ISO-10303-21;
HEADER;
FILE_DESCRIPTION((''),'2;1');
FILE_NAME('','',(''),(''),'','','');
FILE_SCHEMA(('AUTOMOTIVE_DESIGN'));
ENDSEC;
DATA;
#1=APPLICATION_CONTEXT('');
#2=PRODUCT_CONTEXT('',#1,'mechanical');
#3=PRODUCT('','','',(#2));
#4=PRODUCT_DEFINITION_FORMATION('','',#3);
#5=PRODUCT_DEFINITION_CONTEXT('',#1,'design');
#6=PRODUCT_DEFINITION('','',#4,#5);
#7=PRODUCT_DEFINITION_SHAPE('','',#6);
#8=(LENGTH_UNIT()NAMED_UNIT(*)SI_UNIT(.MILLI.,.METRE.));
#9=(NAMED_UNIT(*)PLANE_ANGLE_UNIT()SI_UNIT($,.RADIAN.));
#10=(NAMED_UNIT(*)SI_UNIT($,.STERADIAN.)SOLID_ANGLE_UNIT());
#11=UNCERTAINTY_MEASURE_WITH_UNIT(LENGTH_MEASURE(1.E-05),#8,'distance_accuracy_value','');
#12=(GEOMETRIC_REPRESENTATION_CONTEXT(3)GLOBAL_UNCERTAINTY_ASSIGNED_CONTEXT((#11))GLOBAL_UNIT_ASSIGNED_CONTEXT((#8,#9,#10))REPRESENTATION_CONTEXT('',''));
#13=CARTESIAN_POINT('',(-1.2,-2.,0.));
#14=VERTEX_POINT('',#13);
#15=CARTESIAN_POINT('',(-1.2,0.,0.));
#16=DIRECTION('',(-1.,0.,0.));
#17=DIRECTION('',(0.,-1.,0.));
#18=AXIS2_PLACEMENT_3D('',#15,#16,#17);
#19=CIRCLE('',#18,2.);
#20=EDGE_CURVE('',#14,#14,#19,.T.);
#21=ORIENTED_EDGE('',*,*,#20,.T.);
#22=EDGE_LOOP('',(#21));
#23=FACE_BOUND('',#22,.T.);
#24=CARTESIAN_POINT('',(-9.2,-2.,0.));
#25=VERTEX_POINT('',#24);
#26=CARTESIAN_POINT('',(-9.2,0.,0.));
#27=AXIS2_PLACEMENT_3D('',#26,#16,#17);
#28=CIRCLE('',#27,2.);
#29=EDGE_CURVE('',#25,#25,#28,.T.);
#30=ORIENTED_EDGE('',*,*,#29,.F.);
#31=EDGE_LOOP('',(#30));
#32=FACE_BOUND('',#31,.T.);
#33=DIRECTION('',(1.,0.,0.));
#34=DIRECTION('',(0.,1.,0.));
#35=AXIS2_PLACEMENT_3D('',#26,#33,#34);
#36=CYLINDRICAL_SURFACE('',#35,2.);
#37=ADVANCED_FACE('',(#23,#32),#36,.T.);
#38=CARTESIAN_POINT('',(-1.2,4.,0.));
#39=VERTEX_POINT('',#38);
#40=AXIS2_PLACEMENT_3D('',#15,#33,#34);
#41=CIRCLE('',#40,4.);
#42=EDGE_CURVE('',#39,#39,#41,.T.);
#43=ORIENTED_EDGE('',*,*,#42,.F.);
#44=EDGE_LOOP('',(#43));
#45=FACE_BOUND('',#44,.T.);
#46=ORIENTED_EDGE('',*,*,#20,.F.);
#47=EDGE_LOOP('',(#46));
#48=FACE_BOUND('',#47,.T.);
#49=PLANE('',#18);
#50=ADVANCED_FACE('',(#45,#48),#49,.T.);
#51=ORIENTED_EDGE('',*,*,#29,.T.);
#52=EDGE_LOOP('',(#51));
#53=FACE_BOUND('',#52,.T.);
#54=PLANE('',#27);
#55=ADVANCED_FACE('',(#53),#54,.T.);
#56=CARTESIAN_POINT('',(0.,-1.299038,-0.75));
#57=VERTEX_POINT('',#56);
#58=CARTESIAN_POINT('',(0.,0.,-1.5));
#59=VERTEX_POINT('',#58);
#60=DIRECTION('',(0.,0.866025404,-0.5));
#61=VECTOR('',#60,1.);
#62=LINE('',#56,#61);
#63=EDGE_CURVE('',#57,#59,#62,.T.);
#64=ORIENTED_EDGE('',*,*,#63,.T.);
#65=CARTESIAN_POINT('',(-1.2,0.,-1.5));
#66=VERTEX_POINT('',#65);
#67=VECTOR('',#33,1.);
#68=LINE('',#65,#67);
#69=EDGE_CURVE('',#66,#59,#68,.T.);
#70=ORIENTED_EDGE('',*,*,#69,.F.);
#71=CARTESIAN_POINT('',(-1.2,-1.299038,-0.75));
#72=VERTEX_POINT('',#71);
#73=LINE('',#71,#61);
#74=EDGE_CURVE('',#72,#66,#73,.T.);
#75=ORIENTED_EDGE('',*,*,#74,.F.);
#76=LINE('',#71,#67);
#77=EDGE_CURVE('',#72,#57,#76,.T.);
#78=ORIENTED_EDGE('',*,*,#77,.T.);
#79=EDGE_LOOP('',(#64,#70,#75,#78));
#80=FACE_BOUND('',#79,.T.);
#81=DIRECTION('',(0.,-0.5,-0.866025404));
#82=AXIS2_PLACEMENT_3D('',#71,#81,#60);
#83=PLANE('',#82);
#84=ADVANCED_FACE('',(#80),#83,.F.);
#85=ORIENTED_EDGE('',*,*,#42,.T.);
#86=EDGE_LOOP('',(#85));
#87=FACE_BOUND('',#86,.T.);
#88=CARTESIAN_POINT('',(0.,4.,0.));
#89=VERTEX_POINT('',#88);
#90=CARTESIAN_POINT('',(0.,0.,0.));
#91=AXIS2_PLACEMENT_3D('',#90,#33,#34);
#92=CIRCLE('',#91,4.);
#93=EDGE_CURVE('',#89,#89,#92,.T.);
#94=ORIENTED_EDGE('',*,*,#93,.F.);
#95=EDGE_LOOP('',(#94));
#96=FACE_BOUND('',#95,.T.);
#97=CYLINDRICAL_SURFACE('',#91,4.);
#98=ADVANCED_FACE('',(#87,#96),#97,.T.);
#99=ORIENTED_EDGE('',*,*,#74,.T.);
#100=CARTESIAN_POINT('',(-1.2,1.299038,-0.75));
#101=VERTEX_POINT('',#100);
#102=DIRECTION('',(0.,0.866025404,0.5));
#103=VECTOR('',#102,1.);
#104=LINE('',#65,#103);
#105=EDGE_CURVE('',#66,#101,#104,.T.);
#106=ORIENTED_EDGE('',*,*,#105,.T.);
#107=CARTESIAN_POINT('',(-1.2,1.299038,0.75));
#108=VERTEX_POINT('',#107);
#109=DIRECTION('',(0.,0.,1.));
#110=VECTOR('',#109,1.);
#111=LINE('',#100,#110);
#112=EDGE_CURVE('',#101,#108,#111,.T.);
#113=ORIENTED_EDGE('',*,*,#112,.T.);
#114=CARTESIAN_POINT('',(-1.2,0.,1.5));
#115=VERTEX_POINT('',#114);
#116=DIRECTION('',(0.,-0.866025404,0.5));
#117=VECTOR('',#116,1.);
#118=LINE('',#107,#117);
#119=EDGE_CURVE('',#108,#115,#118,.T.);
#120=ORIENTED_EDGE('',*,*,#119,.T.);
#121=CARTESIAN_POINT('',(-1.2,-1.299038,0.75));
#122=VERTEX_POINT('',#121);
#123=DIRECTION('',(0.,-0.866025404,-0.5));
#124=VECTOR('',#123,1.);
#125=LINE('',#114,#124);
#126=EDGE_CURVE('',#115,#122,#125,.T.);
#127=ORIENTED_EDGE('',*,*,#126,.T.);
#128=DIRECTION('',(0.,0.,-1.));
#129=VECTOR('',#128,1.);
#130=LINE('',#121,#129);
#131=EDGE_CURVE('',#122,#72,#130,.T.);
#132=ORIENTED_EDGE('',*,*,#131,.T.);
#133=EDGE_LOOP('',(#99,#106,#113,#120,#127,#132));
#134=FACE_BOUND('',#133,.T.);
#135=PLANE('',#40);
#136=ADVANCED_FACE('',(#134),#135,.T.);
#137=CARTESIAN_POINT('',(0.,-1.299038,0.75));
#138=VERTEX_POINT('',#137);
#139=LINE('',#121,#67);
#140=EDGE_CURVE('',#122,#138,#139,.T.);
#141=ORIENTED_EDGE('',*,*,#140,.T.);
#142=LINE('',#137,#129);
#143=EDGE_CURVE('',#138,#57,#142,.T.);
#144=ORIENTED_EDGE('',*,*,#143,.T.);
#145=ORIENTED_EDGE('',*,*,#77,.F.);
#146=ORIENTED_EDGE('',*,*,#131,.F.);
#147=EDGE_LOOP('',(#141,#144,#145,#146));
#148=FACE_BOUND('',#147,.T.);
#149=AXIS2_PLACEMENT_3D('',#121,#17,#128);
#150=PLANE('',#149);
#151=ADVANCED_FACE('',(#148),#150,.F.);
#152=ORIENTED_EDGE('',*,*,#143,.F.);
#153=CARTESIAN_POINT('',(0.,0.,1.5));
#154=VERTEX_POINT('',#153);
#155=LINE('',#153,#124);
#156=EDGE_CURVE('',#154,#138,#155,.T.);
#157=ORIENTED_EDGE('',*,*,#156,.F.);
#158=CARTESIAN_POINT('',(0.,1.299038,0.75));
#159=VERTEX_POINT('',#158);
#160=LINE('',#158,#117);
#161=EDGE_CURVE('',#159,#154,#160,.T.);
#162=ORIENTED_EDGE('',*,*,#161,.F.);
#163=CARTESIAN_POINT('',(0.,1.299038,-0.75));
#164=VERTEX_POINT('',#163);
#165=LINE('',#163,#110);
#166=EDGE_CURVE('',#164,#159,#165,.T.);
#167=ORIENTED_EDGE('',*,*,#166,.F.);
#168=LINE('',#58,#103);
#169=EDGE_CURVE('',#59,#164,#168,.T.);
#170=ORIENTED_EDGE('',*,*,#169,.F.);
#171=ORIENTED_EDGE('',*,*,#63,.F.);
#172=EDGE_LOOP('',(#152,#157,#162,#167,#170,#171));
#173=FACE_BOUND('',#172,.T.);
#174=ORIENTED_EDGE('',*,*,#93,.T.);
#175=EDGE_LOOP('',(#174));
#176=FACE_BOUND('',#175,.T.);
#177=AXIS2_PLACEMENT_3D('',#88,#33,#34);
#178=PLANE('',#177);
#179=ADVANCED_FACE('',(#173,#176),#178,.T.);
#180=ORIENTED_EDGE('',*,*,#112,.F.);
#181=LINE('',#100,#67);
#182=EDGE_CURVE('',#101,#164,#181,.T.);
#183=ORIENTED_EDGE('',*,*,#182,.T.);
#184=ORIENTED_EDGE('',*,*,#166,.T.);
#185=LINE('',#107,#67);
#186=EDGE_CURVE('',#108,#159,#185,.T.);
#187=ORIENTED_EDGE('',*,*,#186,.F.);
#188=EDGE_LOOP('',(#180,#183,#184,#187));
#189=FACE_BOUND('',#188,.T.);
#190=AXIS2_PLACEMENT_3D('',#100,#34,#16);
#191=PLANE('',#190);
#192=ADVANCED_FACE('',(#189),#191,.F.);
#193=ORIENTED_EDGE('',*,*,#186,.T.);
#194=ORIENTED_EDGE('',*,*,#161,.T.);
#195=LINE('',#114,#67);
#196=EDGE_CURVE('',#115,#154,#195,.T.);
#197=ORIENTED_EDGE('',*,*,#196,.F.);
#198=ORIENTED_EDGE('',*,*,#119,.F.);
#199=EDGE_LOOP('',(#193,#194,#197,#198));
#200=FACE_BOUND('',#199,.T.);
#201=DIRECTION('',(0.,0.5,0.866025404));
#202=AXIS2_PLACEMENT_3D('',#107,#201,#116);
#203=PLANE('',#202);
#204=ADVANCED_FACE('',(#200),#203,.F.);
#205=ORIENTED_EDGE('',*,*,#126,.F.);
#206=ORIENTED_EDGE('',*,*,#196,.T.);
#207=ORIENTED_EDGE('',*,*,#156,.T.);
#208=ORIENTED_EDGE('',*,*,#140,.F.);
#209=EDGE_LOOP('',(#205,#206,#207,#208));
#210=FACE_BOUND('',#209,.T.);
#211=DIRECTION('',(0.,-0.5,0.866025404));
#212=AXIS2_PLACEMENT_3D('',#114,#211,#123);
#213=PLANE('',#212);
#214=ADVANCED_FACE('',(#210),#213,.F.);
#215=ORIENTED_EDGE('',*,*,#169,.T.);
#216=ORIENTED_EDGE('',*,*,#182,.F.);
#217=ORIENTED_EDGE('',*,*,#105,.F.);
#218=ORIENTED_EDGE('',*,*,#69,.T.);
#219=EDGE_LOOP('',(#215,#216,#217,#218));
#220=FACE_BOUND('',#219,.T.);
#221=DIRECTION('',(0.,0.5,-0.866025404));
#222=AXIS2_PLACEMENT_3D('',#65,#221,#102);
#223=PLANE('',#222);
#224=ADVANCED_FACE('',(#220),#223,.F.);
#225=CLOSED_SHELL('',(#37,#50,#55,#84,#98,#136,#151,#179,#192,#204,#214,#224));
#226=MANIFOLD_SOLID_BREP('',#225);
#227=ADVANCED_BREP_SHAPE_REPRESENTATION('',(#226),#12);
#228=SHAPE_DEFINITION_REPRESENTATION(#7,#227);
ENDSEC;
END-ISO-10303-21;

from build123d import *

# Parameters (mm, degrees)
SKETCH_1_W          = 1.2
SKETCH_1_H          = 4
SKETCH_2_R          = 2
EXTRUDE_1_DEPTH     = 8
CUT_EXTRUDE_1_DEPTH = 1.2


with BuildPart() as part:
    # 草图1 → 旋转1 (revolve)
    with BuildSketch(Plane.XY):
        with Locations((-0.6, 2)):
            Rectangle(SKETCH_1_W, SKETCH_1_H)
    revolve(axis=Axis((0, 0, 0), (-1, 0, 0)))

    # 草图2 → 凸台-拉伸1 (add)
    with BuildSketch(Plane.ZY.offset(1.2)):
        with Locations(Location((0, 0, 0), (0, 0, 270))):
            Circle(SKETCH_2_R)
    extrude(amount=EXTRUDE_1_DEPTH)

    # 草图3 → 切除-拉伸1 (cut)
    with BuildSketch(Plane(origin=(0, 0, 0), x_dir=(0, 0, -1), z_dir=(1, 0, 0))):
        Polygon((0.75, 1.299038106), (-0.75, 1.299038106), (-1.5, 0), (-0.75, -1.299038106), (0.75, -1.299038106), (1.5, 0), align=None)
    extrude(amount=-CUT_EXTRUDE_1_DEPTH, mode=Mode.SUBTRACT)


solid = part.part
